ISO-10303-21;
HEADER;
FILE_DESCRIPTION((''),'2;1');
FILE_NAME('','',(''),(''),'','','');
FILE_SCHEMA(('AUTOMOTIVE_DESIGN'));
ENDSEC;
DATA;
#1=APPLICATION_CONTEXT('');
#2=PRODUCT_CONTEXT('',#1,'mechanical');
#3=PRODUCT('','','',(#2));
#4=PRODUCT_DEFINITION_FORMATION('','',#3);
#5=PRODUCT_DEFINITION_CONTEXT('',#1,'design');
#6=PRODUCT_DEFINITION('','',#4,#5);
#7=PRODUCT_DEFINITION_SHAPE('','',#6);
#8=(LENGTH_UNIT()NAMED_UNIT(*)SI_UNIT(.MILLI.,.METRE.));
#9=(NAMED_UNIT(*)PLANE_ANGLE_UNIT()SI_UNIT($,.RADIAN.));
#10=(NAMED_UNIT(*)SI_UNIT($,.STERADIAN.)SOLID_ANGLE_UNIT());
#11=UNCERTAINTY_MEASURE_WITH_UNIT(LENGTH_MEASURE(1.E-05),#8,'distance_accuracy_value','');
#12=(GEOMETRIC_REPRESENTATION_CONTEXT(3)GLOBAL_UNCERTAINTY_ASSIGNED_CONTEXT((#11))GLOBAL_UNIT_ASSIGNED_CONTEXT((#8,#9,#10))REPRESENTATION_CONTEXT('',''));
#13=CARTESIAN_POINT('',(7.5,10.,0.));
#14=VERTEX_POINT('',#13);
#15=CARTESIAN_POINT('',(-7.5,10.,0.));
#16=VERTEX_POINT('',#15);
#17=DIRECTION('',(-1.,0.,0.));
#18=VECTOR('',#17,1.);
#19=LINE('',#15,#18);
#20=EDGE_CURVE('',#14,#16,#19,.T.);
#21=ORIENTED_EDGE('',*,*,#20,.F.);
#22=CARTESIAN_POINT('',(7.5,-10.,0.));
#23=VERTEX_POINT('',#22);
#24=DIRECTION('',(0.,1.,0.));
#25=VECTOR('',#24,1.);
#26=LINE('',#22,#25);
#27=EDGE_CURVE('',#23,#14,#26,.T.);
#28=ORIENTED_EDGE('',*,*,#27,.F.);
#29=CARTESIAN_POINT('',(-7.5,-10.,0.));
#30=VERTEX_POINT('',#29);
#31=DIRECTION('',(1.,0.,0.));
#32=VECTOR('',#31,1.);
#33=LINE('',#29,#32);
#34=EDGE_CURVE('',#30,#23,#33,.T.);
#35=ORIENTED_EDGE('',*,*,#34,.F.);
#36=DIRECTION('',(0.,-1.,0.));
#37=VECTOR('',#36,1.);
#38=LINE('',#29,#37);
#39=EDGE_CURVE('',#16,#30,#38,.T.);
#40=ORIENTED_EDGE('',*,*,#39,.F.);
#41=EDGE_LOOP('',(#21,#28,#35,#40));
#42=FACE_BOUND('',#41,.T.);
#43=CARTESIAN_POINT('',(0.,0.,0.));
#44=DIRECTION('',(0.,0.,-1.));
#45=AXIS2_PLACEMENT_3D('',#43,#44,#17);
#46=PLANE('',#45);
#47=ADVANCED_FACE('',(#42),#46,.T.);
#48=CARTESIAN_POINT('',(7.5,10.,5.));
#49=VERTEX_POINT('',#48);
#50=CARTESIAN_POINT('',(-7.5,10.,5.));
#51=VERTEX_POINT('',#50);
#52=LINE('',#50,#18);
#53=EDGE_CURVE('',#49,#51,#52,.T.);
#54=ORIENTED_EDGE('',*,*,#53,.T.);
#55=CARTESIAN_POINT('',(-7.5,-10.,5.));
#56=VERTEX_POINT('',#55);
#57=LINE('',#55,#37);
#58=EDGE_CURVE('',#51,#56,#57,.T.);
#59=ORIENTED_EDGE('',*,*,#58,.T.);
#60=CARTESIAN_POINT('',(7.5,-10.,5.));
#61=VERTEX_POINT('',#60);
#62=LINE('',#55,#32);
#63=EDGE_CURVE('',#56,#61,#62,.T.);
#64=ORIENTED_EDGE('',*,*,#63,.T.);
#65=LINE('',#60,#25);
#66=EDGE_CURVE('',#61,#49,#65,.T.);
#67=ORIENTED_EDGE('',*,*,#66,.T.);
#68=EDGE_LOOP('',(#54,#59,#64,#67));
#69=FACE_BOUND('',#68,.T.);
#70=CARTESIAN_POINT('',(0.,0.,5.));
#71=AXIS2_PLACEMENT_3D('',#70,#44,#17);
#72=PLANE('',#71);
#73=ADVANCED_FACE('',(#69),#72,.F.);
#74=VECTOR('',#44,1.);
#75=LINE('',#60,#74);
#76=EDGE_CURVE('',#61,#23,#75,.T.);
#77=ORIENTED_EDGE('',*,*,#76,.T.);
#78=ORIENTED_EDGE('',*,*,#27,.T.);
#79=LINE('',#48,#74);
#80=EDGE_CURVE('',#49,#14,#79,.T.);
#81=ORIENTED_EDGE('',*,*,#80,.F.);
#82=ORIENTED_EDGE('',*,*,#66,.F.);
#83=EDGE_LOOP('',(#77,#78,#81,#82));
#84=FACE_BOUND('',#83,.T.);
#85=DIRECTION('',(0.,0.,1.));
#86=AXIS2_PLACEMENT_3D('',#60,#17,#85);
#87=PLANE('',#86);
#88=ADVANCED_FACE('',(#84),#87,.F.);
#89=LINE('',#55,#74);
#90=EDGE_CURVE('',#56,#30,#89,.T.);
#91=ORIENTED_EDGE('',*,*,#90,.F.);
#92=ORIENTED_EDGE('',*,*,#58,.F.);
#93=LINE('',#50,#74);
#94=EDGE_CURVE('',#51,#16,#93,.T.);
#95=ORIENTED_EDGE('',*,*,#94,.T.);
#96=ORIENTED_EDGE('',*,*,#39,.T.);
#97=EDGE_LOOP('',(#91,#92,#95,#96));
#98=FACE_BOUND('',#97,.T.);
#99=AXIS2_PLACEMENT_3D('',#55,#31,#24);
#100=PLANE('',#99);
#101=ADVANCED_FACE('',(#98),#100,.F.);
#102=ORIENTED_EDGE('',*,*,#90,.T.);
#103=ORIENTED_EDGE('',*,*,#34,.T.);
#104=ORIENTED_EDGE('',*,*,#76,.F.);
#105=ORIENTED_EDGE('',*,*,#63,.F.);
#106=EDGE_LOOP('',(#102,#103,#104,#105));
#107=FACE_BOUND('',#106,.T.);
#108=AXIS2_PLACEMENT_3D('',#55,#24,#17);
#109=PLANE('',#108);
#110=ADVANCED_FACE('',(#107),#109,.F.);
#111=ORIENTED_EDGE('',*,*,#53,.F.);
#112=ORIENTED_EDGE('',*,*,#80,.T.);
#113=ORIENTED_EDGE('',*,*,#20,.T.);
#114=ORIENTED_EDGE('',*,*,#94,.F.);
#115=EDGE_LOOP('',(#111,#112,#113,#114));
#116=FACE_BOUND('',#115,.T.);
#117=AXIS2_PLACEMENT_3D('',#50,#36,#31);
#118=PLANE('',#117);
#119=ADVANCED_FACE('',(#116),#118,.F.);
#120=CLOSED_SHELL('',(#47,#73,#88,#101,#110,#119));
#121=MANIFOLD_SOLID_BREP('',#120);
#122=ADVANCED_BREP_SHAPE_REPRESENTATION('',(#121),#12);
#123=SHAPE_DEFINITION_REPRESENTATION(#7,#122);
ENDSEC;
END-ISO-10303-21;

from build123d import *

# Parameters (mm, degrees)
SKETCH1_W           = 15
SKETCH1_H           = 20
BOSS_EXTRUDE1_DEPTH = 5


with BuildPart() as part:
    # Sketch1 → Boss-Extrude1 (new body)
    with BuildSketch(Plane.XY):
        Rectangle(SKETCH1_W, SKETCH1_H)
    extrude(amount=BOSS_EXTRUDE1_DEPTH)


solid = part.part
